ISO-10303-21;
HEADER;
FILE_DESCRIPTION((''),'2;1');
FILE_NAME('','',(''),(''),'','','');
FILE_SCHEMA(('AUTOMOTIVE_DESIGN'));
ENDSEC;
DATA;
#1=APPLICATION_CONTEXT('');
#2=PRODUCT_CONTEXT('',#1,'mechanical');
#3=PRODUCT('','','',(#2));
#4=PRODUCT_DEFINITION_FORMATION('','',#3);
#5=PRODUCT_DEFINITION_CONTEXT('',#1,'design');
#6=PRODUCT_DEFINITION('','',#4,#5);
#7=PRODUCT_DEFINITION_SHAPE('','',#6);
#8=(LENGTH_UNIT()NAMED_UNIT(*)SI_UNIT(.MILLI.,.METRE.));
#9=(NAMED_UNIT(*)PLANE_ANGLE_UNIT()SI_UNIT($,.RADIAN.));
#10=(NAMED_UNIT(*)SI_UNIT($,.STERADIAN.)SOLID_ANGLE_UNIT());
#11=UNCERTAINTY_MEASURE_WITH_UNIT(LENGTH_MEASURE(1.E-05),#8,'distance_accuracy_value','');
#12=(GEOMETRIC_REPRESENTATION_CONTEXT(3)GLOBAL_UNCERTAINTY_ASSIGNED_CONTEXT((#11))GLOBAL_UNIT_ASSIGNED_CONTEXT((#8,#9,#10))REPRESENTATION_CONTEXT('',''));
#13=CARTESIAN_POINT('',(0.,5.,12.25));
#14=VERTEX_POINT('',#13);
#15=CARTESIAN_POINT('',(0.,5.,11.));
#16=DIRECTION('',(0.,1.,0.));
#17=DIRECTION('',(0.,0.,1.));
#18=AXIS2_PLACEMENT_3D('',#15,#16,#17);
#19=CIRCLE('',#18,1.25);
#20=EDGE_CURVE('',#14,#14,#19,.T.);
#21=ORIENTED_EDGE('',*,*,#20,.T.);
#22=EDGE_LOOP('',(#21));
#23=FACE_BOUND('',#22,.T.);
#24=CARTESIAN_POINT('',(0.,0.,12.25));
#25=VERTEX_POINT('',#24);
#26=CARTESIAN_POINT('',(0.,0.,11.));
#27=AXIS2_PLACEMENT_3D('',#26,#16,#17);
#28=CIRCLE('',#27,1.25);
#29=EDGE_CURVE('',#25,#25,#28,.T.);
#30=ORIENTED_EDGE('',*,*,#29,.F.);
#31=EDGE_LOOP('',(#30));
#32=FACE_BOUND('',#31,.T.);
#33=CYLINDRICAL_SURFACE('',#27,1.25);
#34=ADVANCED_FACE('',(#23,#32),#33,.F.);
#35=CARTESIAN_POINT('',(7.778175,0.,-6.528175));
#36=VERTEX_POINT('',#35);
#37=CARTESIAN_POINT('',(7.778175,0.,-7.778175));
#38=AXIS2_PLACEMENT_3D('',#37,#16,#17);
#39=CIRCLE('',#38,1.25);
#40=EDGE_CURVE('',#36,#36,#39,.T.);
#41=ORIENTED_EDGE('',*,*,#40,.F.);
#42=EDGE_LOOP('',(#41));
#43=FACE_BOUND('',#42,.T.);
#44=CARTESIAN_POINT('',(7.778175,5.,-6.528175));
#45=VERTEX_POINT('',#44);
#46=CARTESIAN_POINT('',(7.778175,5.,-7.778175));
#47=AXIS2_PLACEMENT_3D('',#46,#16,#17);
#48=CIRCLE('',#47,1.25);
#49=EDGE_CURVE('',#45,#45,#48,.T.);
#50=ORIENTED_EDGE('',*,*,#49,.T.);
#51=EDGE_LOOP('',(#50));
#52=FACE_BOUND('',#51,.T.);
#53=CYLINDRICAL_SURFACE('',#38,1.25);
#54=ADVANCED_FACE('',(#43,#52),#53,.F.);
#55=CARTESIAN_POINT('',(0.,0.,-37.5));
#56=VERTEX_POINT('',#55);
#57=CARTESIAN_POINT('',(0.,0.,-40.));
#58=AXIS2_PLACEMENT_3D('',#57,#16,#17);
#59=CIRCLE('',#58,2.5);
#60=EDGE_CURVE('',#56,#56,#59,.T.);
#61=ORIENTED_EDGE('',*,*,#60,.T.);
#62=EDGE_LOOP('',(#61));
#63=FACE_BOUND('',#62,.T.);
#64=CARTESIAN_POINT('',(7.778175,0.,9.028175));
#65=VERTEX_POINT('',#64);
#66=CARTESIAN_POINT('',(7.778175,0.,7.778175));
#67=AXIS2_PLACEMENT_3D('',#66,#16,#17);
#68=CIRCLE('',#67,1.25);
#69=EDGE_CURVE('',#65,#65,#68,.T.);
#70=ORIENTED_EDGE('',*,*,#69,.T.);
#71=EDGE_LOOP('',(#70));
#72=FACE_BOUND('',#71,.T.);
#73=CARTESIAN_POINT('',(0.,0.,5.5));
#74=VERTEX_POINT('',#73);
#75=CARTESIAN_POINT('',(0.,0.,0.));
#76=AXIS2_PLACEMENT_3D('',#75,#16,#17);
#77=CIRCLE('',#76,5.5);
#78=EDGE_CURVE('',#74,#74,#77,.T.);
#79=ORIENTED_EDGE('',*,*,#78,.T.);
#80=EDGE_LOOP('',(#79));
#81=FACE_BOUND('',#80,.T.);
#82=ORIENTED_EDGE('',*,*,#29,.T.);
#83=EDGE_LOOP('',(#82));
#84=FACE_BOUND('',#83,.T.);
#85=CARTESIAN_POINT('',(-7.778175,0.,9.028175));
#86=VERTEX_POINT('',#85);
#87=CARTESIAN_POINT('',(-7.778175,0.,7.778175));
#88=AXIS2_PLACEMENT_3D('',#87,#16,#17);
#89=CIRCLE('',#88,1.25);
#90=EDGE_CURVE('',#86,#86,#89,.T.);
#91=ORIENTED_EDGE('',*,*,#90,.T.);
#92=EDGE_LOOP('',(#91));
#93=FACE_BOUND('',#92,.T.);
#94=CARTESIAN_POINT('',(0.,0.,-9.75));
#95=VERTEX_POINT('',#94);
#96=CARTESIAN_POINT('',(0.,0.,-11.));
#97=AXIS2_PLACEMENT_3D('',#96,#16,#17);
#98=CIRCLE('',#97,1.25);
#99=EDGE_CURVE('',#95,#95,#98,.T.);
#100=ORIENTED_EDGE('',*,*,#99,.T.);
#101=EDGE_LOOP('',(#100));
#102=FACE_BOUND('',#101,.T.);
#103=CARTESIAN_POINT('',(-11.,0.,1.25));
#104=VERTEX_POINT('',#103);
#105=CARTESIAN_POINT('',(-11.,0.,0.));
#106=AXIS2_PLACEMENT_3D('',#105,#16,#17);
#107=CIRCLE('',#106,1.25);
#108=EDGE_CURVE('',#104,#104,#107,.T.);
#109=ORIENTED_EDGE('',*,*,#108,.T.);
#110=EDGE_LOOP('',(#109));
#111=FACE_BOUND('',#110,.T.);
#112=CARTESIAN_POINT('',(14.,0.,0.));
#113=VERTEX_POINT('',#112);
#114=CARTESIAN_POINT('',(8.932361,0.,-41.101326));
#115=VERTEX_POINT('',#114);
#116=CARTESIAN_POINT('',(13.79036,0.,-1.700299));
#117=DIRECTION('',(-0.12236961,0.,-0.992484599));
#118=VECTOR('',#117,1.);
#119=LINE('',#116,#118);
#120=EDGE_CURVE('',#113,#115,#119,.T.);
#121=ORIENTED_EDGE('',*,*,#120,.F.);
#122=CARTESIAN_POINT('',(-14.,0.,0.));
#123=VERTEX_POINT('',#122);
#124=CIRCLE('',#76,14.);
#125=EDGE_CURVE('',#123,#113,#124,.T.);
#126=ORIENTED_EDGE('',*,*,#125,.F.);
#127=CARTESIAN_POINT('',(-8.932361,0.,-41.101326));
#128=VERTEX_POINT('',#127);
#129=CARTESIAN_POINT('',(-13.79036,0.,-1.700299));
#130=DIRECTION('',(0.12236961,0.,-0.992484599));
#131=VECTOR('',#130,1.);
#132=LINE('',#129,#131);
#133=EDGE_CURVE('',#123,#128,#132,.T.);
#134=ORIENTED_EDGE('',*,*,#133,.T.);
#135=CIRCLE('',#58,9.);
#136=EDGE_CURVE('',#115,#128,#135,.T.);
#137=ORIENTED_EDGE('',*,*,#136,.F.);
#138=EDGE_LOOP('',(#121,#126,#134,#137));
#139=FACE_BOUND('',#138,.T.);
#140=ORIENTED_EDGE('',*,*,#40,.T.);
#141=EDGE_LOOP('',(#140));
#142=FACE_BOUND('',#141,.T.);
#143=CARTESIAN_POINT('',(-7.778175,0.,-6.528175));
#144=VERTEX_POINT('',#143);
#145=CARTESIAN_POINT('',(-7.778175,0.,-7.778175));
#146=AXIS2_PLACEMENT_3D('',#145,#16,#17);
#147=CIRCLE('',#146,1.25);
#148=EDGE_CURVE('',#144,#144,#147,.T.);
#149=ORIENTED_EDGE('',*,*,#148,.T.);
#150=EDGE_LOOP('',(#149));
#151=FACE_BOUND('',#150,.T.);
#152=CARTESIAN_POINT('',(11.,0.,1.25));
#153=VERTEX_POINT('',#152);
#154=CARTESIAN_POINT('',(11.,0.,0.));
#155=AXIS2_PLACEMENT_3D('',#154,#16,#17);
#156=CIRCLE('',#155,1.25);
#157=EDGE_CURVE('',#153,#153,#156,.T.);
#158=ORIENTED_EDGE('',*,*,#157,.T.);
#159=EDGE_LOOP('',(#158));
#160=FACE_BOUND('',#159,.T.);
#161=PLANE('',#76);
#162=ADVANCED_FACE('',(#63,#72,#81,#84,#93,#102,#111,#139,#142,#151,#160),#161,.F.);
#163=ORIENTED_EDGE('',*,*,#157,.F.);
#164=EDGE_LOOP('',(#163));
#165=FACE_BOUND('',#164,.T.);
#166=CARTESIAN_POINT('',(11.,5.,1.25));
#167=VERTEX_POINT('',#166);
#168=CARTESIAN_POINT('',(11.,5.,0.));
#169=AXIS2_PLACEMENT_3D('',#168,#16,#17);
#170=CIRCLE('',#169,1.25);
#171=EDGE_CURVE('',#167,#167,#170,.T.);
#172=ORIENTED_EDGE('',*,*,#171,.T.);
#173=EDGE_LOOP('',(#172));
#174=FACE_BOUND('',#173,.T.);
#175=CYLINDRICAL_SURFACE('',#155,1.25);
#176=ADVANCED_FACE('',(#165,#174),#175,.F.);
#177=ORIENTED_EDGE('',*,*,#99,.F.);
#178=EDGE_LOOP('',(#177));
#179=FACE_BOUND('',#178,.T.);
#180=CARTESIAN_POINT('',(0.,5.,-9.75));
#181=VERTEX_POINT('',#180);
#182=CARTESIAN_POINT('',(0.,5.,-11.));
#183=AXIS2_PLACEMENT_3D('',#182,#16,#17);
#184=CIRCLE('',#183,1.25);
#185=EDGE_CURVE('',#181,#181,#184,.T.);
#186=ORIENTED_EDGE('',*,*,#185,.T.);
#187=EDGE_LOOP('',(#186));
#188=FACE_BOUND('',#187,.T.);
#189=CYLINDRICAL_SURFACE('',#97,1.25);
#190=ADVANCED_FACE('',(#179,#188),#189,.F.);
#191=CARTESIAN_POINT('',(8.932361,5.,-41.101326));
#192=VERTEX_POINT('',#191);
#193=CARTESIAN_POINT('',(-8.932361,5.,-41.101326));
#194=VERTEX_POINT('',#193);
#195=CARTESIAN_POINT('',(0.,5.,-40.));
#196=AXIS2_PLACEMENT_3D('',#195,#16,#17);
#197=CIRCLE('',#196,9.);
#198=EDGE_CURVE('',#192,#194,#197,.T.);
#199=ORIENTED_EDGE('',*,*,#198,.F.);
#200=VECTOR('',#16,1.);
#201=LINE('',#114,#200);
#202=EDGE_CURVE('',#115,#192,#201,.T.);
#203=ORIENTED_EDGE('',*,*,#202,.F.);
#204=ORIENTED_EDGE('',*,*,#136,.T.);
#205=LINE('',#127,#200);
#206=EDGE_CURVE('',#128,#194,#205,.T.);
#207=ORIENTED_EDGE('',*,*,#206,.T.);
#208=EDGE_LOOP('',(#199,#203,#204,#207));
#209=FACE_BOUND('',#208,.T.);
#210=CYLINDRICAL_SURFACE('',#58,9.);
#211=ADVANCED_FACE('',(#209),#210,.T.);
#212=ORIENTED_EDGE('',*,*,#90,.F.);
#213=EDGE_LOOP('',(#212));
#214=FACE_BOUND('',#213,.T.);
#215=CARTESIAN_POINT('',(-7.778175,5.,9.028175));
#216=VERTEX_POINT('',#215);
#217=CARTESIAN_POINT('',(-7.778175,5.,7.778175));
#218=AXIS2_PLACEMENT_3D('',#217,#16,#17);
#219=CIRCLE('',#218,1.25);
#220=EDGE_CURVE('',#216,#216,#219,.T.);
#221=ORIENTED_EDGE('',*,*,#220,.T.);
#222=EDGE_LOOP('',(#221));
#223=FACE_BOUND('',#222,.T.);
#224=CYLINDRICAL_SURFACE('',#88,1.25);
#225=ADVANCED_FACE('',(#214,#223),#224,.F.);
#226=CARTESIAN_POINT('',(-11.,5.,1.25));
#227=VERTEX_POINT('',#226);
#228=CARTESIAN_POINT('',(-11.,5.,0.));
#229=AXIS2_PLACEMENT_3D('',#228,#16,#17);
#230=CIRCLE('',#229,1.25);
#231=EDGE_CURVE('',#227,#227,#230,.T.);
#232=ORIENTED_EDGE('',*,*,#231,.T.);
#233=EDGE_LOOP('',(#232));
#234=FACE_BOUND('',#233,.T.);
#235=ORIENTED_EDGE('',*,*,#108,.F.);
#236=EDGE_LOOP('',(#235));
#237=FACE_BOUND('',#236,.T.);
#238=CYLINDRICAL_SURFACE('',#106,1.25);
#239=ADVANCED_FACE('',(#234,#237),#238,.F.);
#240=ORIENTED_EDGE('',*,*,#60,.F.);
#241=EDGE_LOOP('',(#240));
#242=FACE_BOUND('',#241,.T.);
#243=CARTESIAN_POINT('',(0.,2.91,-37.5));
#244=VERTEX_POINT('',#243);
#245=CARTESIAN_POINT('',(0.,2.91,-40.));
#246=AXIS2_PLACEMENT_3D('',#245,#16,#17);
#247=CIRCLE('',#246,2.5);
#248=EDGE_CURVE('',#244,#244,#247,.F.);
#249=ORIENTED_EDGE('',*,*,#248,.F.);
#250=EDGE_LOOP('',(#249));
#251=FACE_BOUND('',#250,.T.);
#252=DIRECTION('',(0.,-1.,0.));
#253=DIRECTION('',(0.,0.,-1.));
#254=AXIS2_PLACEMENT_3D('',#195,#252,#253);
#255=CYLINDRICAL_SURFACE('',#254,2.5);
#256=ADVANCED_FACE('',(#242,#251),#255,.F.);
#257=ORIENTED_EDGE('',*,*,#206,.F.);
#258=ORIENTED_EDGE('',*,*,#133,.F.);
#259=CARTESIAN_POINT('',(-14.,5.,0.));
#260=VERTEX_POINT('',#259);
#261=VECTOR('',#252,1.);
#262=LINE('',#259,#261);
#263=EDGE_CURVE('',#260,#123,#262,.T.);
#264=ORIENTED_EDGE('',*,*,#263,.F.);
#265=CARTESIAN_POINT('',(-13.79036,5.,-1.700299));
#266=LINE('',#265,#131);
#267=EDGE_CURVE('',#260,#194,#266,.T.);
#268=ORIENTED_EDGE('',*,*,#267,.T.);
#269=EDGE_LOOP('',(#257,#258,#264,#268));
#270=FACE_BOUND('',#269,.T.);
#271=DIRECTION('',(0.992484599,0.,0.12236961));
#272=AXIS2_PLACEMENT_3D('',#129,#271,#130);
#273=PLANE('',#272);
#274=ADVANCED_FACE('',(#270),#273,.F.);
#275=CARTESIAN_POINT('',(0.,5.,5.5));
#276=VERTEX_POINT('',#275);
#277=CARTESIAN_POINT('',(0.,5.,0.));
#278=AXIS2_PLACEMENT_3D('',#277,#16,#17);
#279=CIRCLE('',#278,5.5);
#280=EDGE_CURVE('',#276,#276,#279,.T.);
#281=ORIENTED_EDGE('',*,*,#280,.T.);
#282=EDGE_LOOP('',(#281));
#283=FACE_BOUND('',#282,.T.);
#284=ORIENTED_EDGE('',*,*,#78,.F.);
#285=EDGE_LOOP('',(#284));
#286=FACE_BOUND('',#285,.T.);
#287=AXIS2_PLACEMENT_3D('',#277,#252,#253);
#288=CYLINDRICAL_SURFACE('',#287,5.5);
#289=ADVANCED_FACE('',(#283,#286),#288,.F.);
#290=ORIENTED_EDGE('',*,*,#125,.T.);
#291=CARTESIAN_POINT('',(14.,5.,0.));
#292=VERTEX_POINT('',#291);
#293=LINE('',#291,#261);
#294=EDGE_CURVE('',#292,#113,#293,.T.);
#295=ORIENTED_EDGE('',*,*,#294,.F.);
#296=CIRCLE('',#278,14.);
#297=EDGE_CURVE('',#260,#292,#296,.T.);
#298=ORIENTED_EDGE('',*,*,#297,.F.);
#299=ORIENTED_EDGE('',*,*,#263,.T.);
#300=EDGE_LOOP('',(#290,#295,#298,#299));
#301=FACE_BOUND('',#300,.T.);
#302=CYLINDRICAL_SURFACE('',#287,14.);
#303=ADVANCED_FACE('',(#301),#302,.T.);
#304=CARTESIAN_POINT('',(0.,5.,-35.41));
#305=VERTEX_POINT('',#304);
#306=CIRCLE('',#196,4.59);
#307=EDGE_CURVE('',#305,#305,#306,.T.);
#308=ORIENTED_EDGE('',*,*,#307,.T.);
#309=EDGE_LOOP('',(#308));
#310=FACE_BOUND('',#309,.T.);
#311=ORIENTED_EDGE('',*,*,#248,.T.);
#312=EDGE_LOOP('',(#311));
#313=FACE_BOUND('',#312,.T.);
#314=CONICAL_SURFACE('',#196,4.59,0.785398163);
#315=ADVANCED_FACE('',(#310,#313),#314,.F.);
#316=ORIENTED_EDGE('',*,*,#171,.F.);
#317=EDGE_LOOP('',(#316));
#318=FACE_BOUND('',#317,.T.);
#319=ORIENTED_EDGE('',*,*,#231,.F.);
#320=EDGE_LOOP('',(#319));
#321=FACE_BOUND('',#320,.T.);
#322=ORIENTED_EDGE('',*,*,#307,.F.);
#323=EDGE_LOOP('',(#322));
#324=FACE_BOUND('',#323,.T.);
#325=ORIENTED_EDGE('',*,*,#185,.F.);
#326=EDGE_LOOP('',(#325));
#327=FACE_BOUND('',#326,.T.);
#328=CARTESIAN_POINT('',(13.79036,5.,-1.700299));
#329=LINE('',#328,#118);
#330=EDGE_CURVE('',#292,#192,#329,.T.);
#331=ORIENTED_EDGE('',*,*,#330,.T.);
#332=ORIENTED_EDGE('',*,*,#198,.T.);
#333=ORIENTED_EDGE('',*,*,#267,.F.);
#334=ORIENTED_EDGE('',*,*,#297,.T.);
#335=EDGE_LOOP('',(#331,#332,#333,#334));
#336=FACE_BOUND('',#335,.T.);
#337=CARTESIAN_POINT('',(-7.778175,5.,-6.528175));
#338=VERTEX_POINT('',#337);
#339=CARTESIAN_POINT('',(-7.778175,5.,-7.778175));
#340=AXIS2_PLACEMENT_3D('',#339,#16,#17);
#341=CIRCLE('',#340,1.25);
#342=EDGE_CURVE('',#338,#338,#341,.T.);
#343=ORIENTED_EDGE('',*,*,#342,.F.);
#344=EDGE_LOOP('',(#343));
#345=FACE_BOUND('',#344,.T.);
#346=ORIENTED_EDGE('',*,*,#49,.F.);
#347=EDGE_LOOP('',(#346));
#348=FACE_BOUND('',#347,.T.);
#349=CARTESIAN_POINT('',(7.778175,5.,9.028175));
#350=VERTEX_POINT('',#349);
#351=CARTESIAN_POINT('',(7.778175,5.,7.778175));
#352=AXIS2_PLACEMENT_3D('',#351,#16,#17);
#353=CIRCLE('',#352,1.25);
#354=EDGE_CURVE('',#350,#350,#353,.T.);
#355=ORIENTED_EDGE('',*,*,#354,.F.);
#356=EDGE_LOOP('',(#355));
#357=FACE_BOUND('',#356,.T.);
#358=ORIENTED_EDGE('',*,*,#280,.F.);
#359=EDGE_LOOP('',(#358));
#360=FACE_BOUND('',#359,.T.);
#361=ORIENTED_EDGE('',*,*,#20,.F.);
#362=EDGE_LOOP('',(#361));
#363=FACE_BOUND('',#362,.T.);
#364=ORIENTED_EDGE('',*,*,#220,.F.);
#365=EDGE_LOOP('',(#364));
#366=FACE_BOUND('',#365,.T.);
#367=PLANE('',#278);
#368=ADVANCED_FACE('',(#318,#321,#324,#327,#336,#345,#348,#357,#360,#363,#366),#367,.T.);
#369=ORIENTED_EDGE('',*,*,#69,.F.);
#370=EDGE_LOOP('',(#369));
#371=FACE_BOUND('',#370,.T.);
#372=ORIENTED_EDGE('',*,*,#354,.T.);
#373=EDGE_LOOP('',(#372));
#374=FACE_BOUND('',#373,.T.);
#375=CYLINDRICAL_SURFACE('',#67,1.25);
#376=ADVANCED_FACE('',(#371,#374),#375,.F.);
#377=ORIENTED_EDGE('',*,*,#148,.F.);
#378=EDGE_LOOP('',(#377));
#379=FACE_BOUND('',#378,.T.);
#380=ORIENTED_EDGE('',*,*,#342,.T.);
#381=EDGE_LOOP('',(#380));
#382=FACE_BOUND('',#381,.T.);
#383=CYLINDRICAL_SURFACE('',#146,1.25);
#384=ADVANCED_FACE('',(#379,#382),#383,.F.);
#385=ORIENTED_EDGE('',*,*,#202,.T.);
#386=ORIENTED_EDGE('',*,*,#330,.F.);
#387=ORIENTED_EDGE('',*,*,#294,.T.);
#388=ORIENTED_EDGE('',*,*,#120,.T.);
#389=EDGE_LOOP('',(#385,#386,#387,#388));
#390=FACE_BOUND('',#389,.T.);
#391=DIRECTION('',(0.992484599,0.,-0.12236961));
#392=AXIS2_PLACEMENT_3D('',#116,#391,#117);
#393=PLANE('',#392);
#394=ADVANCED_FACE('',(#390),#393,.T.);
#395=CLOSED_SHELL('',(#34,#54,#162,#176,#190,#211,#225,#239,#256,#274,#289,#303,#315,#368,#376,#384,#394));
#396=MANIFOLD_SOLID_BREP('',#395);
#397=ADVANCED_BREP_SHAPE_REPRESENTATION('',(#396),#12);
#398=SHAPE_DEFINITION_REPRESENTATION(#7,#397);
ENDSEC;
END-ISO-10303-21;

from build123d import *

# Parameters (mm, degrees)
SKETCH1_R                                            = 2.5
SKETCH1_R_2                                          = 5.5
BOSS_EXTRUDE1_DEPTH                                  = 5
SKETCH2_R                                            = 1.25
CUT_EXTRUDE1_DEPTH                                   = 6
CUT_EXTRUDE2_DEPTH                                   = 6
CSK_FOR_M4_HEX_SOCKET_COUNTERSUNK_HEAD_S_D           = 4.5
CSK_FOR_M4_HEX_SOCKET_COUNTERSUNK_HEAD_S_CSINK_D     = 9.18
CSK_FOR_M4_HEX_SOCKET_COUNTERSUNK_HEAD_S_CSINK_ANGLE = 90


with BuildPart() as part:
    # Sketch1 → Boss-Extrude1 (new body)
    with BuildSketch(Plane(origin=(0, 0, 0), x_dir=(1, 0, 0), z_dir=(0, 1, 0))):
        with BuildLine():
            Line((-14, 0), (-14, 40))
            ThreePointArc((-14, 40), (0, 54), (14, 40))
            Line((14, 40), (14, 0))
            ThreePointArc((14, 0), (0, -14), (-14, 0))
        make_face()
        with Locations((0, 40)):
            Circle(SKETCH1_R, mode=Mode.SUBTRACT)
        Circle(SKETCH1_R_2, mode=Mode.SUBTRACT)
    extrude(amount=BOSS_EXTRUDE1_DEPTH)

    # Sketch2 → Cut-Extrude1 (cut, through all)
    with BuildSketch(Plane(origin=(0, 5, 0), x_dir=(1, 0, 0), z_dir=(0, 1, 0))):
        with Locations((0, 11)):
            Circle(SKETCH2_R)
        with Locations((7.778174593, 7.778174593)):
            Circle(SKETCH2_R)
        with Locations((11, 0)):
            Circle(SKETCH2_R)
        with Locations((7.778174593, -7.778174593)):
            Circle(SKETCH2_R)
        with Locations((0, -11)):
            Circle(SKETCH2_R)
        with Locations((-7.778174593, -7.778174593)):
            Circle(SKETCH2_R)
        with Locations((-11, 0)):
            Circle(SKETCH2_R)
        with Locations((-7.778174593, 7.778174593)):
            Circle(SKETCH2_R)
    extrude(amount=-CUT_EXTRUDE1_DEPTH, mode=Mode.SUBTRACT)

    # Sketch3 → Cut-Extrude2 (cut, through all)
    with BuildSketch(Plane(origin=(0, 5, 0), x_dir=(1, 0, 0), z_dir=(0, 1, 0))):
        with BuildLine():
            Line((-14, 40), (-14, 0))
            Line((-14, 0), (-8.932361388, 41.101326486))
            ThreePointArc((-8.932361388, 41.101326486), (0, 49), (8.932361388, 41.101326486))
            Line((8.932361388, 41.101326486), (14, 0))
            Line((14, 0), (14, 40))
            ThreePointArc((14, 40), (0, 54), (-14, 40))
        make_face()
    extrude(amount=-CUT_EXTRUDE2_DEPTH, mode=Mode.SUBTRACT)

    # CSK for M4 Hex Socket Countersunk Head Screw2 (through all)
    with Locations(Plane(origin=(0, 5, 0), x_dir=(1, 0, 0), z_dir=(0, 1, 0))):
        with Locations((0, 40)):
            CounterSinkHole(CSK_FOR_M4_HEX_SOCKET_COUNTERSUNK_HEAD_S_D / 2, CSK_FOR_M4_HEX_SOCKET_COUNTERSUNK_HEAD_S_CSINK_D / 2, counter_sink_angle=CSK_FOR_M4_HEX_SOCKET_COUNTERSUNK_HEAD_S_CSINK_ANGLE)


solid = part.part
